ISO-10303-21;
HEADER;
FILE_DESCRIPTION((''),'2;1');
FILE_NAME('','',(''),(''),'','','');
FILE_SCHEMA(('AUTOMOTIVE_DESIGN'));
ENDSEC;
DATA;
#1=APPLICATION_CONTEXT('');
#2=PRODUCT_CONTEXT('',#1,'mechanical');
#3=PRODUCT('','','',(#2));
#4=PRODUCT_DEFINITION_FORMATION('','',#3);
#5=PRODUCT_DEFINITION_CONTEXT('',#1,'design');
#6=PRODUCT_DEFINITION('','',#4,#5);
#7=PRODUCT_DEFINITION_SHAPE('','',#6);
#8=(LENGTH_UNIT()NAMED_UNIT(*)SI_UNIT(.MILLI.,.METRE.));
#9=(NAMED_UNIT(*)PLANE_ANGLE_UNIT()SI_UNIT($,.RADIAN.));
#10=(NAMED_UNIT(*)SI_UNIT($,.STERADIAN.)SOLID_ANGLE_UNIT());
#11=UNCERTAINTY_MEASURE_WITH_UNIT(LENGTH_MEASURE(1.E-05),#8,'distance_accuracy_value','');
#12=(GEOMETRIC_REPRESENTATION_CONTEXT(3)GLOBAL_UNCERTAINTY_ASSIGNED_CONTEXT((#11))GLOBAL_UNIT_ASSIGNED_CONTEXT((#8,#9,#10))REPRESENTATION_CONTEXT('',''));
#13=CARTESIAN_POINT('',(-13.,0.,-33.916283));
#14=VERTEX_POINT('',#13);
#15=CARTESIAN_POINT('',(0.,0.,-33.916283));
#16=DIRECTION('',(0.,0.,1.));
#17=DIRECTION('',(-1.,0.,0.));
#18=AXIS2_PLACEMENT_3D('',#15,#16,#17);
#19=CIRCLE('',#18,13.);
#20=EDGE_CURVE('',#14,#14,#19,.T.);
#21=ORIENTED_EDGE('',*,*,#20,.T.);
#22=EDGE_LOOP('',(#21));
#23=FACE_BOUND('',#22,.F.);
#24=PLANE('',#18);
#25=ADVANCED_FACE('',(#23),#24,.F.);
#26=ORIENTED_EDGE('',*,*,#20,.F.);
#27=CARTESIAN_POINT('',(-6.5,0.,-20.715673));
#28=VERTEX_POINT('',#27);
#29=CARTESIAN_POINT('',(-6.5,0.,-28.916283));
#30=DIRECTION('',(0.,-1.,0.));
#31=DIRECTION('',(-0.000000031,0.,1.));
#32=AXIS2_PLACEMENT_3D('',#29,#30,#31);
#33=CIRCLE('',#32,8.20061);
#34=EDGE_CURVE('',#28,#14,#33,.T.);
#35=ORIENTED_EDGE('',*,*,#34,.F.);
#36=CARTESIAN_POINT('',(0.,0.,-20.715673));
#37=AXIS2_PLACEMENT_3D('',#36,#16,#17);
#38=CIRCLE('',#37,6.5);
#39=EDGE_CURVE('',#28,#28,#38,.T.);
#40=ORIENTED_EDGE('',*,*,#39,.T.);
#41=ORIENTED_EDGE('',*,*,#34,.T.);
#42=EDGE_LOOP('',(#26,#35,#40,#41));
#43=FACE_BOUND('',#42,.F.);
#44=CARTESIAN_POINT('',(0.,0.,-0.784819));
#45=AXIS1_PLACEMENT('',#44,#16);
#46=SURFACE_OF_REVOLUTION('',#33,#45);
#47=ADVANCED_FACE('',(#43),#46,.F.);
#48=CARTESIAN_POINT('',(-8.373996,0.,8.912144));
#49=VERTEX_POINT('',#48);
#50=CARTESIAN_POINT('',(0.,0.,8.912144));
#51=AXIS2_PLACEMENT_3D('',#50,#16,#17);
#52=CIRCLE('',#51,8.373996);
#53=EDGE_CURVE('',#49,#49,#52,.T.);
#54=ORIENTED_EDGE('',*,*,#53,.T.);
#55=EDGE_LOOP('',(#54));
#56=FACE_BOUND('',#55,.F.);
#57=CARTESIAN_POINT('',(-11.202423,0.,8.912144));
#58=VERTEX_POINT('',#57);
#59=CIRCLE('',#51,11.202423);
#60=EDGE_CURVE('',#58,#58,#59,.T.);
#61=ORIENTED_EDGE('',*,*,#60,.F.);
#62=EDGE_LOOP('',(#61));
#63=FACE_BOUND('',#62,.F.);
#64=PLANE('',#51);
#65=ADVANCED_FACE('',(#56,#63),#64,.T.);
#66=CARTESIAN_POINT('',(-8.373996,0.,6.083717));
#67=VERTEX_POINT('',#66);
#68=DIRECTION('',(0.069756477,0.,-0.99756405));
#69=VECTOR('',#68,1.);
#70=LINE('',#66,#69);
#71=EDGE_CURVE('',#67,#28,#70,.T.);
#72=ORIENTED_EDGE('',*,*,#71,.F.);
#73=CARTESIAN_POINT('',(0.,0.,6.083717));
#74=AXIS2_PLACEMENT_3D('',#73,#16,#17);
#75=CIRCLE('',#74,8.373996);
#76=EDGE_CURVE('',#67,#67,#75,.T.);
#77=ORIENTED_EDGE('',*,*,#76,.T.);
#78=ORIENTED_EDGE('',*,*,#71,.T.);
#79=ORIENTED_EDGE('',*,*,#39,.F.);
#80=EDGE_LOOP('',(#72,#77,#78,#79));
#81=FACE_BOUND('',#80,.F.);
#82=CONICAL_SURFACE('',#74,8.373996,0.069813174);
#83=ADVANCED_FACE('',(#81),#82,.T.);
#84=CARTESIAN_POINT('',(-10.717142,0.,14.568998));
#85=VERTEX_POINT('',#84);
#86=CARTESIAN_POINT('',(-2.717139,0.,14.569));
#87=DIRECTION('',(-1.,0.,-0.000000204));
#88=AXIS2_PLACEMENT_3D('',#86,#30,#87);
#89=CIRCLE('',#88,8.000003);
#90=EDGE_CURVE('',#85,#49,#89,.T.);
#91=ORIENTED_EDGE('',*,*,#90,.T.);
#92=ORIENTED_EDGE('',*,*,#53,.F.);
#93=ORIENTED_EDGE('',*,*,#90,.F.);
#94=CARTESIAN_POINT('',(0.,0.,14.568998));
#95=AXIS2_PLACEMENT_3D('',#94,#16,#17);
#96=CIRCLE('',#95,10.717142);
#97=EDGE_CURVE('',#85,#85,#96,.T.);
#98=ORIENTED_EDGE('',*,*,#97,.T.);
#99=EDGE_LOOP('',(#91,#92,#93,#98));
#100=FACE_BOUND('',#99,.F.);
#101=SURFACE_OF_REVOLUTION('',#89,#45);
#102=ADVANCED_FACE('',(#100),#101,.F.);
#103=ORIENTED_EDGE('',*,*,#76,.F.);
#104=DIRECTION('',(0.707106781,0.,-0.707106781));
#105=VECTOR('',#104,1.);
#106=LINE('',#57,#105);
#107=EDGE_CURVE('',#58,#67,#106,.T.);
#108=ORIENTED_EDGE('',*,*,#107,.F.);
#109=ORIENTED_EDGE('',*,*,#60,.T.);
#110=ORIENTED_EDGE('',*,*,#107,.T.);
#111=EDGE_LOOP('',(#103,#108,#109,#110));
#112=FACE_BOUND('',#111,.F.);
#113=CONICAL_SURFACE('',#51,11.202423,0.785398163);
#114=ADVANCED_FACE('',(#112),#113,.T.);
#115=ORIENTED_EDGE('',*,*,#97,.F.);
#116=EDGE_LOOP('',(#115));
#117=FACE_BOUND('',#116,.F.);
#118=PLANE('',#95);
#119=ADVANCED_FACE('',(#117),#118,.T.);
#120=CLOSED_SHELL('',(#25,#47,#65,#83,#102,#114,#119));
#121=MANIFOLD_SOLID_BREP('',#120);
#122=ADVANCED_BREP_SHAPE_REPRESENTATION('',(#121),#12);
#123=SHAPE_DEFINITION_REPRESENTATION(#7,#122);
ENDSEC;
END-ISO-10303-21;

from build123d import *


with BuildPart() as f1:
    # F0 (on Front) → F1 (revolve)
    with BuildSketch(Plane.XZ):
        with BuildLine():
            Line((-13, -33.916283), (0, -33.916283))
            Line((0, -33.916283), (0, 8.912144))
            Line((0, 8.912144), (0, 14.568998))
            Line((0, 14.568998), (-10.717142, 14.568998))
            ThreePointArc((-10.717142, 14.568998), (-10.108178, 11.507531), (-8.373996, 8.912144))
            Line((-8.373996, 8.912144), (-11.202423, 8.912144))
            Line((-11.202423, 8.912144), (-8.373996, 6.083717))
            Line((-8.373996, 6.083717), (-6.5, -20.715673))
            ThreePointArc((-6.5, -20.715673), (-13.857073, -25.293649), (-13, -33.916283))
        make_face()
    revolve(axis=Axis((0, 0, -0.784819), (0, 0, 1)))


solid = f1.part
